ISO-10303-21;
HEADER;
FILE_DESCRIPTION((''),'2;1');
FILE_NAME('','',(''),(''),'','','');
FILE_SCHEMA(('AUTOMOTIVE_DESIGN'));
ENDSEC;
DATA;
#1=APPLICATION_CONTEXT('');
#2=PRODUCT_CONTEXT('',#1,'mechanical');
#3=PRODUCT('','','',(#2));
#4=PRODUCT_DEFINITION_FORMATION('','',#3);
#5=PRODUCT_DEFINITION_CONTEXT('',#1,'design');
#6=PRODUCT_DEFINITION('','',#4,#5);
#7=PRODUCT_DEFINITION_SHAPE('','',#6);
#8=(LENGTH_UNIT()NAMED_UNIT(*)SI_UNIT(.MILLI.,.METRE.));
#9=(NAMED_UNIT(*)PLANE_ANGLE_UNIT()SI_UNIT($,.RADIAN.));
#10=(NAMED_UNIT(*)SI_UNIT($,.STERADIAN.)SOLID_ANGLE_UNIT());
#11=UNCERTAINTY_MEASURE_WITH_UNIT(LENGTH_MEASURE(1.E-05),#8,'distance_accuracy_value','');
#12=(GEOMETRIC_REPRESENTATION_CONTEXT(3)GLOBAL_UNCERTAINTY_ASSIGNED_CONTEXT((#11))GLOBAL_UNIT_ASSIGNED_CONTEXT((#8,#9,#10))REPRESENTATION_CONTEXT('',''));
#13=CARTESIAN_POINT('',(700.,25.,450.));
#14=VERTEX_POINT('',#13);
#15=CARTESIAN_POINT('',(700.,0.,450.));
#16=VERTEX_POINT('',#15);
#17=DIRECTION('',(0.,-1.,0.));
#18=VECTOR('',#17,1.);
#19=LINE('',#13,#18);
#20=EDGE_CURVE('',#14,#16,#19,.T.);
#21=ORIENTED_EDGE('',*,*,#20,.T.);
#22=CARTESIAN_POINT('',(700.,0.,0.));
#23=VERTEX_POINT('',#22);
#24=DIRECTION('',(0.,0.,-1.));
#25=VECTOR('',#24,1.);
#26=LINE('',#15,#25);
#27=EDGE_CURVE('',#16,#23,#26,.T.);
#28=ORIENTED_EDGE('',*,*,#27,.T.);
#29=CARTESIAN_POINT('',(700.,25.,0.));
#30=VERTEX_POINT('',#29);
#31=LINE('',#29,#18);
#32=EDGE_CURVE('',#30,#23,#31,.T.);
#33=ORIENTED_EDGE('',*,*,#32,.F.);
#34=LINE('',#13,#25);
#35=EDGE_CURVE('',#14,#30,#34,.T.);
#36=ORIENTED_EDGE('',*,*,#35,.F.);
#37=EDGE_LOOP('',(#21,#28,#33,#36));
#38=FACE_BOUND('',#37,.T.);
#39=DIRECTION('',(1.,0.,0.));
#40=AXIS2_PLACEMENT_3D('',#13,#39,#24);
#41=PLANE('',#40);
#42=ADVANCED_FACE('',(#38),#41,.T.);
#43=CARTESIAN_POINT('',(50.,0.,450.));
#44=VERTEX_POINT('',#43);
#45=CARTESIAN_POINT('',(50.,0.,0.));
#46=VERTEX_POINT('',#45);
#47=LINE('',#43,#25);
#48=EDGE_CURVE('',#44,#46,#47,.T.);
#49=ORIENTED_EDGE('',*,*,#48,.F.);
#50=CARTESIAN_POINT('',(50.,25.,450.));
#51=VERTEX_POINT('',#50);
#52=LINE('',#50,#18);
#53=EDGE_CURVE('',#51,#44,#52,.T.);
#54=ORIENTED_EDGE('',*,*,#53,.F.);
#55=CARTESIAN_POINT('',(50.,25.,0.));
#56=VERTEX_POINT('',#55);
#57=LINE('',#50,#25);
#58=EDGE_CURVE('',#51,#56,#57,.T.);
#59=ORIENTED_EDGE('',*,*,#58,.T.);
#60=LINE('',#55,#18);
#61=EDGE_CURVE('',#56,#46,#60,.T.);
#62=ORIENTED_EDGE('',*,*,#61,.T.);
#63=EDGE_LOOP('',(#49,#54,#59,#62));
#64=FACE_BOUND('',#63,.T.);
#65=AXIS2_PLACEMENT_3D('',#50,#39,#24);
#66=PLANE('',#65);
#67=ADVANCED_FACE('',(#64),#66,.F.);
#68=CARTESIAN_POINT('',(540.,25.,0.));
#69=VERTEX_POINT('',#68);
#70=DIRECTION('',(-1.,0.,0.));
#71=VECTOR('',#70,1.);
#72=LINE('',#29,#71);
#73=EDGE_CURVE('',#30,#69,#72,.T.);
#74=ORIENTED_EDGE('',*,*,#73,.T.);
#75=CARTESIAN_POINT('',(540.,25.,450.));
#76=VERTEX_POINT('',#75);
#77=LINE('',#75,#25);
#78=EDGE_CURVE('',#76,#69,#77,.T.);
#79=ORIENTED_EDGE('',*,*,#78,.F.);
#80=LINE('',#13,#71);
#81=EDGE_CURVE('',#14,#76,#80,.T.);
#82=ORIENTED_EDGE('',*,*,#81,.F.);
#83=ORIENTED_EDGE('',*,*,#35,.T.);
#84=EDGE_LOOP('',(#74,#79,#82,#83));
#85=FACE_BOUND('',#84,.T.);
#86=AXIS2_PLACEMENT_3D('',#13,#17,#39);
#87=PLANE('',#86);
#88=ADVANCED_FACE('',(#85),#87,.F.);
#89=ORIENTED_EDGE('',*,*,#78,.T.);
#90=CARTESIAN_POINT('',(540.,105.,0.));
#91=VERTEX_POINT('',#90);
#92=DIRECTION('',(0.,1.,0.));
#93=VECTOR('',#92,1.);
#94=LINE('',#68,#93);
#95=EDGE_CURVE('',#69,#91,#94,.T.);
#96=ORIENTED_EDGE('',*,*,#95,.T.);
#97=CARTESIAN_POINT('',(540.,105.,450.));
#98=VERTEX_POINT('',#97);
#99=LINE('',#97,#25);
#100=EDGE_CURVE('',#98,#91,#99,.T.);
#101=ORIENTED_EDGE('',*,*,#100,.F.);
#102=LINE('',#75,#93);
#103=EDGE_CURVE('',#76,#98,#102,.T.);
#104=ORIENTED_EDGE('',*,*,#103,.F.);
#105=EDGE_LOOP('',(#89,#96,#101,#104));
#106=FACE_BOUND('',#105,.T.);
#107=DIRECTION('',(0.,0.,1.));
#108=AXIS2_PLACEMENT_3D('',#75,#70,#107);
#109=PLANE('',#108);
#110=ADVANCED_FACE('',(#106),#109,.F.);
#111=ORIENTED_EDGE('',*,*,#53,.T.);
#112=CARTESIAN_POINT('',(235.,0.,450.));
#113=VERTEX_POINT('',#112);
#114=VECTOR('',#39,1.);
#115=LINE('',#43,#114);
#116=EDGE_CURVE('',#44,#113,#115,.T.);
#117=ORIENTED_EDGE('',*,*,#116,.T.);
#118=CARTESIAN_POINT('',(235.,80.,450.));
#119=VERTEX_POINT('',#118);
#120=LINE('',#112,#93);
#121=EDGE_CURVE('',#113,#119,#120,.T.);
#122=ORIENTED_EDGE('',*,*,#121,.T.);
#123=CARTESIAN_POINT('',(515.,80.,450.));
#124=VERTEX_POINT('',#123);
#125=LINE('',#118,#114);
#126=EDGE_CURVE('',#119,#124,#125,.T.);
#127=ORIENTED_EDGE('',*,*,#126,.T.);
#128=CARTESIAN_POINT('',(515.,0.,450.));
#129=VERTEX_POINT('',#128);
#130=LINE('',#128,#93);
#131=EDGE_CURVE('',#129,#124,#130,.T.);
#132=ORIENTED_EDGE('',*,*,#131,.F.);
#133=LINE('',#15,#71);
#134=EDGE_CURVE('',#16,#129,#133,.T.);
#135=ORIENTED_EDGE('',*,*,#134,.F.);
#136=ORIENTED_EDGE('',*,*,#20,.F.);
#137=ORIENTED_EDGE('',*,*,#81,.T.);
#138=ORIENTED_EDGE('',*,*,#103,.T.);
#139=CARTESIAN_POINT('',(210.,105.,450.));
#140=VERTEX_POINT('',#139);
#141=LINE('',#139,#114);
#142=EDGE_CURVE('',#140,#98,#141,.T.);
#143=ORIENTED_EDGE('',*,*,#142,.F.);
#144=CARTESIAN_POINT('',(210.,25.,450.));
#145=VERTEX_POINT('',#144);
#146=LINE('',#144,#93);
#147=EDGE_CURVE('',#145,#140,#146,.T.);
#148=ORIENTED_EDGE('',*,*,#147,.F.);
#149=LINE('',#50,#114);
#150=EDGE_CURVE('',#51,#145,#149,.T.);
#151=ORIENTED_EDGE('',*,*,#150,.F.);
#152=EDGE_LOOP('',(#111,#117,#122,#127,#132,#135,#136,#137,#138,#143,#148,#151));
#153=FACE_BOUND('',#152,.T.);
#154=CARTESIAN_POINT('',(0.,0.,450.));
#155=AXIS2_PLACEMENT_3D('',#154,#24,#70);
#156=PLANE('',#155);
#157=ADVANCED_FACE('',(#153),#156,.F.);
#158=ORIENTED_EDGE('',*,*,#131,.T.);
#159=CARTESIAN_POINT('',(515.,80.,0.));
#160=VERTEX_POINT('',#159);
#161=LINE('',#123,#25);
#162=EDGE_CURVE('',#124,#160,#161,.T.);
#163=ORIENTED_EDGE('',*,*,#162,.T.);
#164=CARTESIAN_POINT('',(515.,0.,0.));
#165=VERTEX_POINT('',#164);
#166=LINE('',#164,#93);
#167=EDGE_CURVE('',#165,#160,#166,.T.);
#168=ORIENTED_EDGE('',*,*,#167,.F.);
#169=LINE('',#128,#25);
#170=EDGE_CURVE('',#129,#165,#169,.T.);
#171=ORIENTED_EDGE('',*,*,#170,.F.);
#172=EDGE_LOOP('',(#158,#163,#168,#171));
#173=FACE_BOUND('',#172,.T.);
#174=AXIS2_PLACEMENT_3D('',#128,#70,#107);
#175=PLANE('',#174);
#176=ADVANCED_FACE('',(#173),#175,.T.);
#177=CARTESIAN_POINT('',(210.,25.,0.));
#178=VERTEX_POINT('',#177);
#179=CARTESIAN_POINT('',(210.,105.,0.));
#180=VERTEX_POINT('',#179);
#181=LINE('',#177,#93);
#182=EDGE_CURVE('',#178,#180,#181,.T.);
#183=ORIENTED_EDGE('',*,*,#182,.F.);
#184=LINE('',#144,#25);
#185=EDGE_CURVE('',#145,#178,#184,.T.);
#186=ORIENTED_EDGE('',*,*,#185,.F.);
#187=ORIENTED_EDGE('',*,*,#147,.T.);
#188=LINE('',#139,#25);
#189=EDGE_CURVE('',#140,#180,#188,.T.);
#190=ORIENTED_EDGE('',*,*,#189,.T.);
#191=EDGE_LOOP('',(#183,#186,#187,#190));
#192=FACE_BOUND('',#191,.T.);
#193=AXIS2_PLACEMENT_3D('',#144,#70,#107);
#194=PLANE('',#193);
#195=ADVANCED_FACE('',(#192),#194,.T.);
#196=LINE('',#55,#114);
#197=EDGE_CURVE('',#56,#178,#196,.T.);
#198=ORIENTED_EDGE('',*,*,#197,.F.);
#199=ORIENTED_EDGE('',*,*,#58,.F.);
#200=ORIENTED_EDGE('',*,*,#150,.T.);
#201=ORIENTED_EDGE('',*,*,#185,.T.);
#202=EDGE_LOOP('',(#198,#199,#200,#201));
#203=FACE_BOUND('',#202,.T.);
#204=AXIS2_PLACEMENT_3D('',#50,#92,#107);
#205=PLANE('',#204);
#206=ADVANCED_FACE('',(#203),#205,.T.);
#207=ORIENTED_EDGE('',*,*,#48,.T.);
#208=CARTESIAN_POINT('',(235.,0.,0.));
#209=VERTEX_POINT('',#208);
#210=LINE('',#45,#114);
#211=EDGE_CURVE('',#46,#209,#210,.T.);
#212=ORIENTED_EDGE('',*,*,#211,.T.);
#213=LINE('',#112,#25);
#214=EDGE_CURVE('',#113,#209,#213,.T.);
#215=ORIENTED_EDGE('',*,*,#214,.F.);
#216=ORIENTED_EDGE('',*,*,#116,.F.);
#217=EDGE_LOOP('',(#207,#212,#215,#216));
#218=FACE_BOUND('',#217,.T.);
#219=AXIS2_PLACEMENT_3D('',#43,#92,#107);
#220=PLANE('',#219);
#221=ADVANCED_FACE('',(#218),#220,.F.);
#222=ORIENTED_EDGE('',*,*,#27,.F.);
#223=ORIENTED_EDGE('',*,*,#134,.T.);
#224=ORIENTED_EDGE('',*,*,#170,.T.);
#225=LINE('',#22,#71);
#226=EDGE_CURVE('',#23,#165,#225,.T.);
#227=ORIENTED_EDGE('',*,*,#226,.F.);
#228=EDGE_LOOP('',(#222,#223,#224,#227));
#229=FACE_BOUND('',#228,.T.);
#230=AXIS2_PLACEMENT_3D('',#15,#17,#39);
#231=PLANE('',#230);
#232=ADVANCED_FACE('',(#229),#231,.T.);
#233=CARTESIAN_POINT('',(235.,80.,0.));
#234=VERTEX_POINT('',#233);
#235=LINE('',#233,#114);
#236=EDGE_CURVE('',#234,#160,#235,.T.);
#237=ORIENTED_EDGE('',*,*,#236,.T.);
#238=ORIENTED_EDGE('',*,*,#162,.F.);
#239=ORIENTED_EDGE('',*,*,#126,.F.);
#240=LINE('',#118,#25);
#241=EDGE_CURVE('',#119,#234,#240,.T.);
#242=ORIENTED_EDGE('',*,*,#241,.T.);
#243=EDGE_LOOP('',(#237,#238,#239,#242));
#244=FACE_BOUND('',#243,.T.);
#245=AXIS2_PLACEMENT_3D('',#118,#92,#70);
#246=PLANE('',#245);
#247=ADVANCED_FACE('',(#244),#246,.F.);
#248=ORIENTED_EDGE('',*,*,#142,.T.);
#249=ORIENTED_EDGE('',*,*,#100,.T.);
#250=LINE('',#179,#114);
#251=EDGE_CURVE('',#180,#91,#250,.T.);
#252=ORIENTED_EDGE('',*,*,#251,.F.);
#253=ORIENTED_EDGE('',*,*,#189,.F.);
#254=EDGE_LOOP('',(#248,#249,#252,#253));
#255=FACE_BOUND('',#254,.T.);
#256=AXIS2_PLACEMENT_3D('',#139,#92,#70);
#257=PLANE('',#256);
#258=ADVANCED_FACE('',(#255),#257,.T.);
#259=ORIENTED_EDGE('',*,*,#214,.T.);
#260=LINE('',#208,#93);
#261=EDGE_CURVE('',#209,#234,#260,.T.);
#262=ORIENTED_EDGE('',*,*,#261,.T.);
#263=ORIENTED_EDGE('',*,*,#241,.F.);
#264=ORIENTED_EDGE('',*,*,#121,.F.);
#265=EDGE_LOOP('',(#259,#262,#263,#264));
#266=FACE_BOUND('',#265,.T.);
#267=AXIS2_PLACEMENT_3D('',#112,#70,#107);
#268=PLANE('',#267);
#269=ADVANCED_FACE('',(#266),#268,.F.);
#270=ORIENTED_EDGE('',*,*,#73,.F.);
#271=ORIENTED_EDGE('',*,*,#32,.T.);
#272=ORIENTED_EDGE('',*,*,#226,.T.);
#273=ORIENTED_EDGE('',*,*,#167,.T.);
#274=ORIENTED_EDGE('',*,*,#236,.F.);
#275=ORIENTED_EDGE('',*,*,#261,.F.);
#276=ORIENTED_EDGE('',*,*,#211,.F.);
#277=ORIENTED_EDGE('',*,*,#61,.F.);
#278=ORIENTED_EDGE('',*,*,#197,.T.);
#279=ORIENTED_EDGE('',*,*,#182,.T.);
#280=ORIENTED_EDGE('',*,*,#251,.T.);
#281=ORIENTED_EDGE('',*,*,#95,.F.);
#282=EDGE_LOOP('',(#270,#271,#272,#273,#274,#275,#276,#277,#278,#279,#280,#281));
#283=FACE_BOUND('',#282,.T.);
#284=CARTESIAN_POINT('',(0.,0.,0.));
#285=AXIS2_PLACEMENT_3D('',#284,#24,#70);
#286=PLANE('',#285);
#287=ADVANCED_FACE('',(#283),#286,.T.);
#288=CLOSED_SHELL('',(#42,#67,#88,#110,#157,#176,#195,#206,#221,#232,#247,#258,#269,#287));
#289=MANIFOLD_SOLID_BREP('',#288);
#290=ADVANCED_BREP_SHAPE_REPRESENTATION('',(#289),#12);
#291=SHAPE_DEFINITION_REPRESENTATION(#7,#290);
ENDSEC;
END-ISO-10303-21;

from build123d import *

# Parameters (mm, degrees)
BOSS_EXTRUDE1_DEPTH = 450


with BuildPart() as part:
    # Sketch1 → Boss-Extrude1 (new body)
    with BuildSketch(Plane.XY):
        Polygon((50, 0), (235, 0), (235, 80), (515, 80), (515, 0), (700, 0), (700, 25), (540, 25), (540, 105), (210, 105), (210, 25), (50, 25), align=None)
    extrude(amount=BOSS_EXTRUDE1_DEPTH)


solid = part.part
